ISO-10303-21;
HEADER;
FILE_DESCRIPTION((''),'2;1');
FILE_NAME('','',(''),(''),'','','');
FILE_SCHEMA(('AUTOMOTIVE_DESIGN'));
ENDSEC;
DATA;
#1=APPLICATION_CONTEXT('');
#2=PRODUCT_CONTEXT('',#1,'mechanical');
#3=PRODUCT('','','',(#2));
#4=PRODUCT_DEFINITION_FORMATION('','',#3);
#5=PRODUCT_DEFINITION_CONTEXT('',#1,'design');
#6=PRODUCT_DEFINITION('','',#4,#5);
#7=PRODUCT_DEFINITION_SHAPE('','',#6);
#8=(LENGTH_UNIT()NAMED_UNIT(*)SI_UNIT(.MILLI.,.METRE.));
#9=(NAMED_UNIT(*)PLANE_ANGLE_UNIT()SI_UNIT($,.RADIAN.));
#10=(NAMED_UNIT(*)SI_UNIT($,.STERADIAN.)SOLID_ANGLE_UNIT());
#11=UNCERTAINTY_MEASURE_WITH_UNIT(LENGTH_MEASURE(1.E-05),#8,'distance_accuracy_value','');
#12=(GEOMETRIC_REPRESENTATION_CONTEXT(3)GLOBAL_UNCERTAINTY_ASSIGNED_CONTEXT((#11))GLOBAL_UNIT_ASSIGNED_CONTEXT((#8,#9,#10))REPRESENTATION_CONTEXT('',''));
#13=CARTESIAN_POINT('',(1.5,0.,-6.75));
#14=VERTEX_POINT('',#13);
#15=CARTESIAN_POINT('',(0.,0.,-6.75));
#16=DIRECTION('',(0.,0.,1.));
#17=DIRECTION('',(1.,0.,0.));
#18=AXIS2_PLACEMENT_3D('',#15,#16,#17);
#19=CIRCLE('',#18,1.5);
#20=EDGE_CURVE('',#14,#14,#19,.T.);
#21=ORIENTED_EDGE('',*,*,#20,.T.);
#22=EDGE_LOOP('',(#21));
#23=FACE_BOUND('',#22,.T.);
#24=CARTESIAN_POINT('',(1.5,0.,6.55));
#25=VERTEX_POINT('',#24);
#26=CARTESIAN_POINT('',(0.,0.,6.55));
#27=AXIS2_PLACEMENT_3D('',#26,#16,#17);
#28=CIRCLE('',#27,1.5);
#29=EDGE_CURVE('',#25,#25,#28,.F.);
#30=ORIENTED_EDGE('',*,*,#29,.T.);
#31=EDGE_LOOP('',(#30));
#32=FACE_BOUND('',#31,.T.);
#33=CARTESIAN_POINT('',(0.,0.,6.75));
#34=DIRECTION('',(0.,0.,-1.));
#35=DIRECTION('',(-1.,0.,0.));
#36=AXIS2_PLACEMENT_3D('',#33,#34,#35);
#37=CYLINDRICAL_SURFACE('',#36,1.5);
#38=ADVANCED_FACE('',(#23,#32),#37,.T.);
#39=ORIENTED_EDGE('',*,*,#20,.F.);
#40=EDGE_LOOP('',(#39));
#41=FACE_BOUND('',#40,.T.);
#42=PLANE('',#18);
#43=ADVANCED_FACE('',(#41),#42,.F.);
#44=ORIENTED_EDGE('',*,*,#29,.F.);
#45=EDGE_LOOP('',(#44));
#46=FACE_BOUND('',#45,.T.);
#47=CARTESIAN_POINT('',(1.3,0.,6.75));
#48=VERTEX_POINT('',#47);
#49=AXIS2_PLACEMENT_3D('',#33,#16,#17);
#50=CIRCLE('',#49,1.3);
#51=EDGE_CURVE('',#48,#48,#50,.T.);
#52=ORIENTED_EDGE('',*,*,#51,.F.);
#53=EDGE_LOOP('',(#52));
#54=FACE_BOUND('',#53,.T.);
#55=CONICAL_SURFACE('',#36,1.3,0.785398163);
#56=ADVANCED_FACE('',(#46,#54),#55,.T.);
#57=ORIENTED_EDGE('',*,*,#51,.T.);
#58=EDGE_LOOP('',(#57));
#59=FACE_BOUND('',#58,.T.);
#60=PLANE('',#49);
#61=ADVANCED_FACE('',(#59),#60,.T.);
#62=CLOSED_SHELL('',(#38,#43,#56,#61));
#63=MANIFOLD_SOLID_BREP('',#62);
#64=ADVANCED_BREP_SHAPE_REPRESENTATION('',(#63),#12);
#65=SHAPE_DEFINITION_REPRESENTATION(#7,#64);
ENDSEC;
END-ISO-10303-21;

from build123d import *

# Parameters (mm, degrees)
SKETCH1_R           = 1.5
BOSS_EXTRUDE1_DEPTH = 6.75
CHAMFER1_SIZE       = 0.2


with BuildPart() as part:
    # Sketch1 → Boss-Extrude1 (new, symmetric)
    with BuildSketch(Plane.XY):
        Circle(SKETCH1_R)
    extrude(amount=BOSS_EXTRUDE1_DEPTH, both=True)

    # Chamfer1
    chamfer1_edges = [part.edges().sort_by_distance(p)[0] for p in [
        (-1.5, 0, 6.75),
    ]]
    chamfer(chamfer1_edges, length=CHAMFER1_SIZE)


solid = part.part
